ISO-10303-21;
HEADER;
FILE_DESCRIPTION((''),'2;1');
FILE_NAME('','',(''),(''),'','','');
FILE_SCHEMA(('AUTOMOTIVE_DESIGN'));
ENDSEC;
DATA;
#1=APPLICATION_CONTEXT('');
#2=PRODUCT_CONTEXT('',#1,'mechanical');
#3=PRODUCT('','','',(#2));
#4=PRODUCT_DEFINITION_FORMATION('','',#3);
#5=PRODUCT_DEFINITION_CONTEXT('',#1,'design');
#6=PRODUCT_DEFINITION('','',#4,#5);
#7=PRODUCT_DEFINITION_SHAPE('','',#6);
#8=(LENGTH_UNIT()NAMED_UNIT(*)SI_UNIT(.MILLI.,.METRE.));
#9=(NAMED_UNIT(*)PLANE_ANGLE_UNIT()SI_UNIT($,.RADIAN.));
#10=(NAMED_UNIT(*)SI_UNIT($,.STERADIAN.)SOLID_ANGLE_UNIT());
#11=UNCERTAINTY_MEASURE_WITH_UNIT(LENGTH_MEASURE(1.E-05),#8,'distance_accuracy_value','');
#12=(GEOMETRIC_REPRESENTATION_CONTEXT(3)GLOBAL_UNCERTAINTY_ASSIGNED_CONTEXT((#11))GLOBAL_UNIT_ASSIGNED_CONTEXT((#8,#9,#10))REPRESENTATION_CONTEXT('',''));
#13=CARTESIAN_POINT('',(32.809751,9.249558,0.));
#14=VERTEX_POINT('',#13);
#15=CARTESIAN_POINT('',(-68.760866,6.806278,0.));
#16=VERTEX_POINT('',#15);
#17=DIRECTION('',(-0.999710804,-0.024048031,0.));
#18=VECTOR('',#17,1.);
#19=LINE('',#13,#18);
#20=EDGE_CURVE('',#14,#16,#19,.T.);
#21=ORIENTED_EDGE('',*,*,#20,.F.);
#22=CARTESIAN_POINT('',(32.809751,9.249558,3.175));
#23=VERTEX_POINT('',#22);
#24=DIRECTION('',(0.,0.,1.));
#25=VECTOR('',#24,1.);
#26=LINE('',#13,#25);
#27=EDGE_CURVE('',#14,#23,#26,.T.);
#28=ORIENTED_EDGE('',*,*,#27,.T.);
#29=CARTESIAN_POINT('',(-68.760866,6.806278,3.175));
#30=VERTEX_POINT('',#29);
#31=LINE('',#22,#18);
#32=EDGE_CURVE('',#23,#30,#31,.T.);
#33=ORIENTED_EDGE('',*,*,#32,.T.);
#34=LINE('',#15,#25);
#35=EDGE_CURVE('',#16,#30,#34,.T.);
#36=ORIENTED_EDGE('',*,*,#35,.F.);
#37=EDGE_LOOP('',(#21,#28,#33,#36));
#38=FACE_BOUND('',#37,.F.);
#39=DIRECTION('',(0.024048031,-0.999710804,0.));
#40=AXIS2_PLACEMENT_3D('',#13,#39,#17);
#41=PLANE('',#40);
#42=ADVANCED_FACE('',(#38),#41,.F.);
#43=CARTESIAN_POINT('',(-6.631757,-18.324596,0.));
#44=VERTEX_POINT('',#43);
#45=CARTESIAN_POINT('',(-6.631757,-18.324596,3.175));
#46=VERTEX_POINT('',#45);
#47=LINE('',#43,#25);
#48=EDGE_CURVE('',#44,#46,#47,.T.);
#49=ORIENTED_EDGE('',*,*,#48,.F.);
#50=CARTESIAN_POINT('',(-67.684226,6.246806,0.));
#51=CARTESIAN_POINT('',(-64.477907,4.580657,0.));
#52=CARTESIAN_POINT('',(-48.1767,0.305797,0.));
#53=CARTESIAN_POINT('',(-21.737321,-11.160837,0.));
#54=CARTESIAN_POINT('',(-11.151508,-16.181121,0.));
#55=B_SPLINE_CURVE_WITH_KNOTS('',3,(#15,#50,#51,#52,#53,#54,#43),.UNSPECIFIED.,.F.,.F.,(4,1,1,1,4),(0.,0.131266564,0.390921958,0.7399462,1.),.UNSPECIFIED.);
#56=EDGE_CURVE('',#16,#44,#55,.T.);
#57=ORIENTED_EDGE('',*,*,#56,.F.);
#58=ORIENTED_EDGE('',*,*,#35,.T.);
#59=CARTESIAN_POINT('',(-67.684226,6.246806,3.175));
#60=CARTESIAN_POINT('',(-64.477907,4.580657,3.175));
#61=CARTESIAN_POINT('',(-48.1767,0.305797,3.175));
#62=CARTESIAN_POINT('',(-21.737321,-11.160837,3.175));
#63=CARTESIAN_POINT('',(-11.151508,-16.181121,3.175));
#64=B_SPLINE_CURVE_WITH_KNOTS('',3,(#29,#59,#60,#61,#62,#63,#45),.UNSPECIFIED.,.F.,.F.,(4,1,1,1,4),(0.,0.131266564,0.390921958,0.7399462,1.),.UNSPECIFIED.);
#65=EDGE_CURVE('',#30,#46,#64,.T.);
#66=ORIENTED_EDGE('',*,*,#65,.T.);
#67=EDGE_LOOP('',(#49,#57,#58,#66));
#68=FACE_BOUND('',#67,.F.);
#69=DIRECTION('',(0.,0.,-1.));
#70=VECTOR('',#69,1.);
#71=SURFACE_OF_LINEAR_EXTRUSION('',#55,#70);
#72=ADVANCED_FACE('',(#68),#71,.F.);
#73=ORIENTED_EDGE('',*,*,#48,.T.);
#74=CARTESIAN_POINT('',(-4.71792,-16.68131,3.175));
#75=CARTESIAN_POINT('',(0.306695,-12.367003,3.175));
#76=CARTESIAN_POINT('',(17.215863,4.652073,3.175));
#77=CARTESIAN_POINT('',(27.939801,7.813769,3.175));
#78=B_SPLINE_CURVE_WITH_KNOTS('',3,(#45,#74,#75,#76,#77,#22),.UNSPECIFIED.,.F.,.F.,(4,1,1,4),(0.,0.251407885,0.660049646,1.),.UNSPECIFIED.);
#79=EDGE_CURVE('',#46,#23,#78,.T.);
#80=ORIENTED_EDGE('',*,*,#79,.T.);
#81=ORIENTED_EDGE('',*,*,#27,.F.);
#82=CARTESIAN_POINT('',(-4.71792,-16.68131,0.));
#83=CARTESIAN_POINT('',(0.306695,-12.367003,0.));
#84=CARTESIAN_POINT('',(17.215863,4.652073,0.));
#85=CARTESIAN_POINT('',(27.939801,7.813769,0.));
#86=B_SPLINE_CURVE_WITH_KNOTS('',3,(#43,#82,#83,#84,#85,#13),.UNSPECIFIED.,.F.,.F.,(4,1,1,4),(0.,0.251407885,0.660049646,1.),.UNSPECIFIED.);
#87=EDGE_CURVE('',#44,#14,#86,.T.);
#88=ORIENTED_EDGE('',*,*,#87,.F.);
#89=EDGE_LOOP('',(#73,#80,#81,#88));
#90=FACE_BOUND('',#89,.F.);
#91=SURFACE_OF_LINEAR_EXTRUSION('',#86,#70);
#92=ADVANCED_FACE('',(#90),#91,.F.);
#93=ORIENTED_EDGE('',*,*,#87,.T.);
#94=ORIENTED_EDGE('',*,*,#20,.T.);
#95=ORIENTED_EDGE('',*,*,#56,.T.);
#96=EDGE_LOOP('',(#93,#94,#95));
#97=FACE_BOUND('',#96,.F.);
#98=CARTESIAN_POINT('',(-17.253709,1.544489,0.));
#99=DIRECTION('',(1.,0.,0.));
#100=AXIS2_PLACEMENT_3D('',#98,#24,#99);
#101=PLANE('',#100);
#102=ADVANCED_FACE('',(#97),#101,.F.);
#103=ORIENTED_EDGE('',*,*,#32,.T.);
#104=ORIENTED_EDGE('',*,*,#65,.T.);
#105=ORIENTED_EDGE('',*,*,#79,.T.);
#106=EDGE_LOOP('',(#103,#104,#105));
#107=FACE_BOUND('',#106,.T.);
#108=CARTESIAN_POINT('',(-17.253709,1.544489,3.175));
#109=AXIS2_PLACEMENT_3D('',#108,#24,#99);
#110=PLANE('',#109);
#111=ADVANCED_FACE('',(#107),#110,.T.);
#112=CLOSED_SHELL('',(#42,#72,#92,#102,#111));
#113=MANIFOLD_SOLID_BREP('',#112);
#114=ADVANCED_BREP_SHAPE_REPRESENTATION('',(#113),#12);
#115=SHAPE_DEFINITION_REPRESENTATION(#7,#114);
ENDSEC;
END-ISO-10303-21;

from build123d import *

# Parameters (mm, degrees)
F1_DEPTH = 3.175


with BuildPart() as f1:
    # F0 (on Top) → F1 (new body)
    with BuildSketch(Plane.XY):
        with BuildLine():
            Line((32.8097513458, 9.2495579237), (-68.7608663703, 6.8062780048))
            add(Edge.make_bspline(
                [(-68.7608663703, 6.8062780048), (-67.6842256856, 6.2468064304), (-64.4779066416, 4.580656907), (-48.1766996556, 0.3057971498), (-21.737320925, -11.1608374501), (-11.1515076571, -16.1811209824), (-6.6317568513, -18.3245964024)],
                knots=[0, 0, 0, 0, 0.1312665643, 0.3909219585, 0.7399461997, 1, 1, 1, 1], degree=3))
            add(Edge.make_bspline(
                [(-6.6317568513, -18.3245964024), (-4.7179195486, -16.6813098714), (0.306694663, -12.3670032969), (17.2158634114, 4.6520728347), (27.9398010415, 7.8137694916), (32.8097513458, 9.2495579237)],
                knots=[0, 0, 0, 0, 0.2514078853, 0.6600496457, 1, 1, 1, 1], degree=3))
        make_face()
    extrude(amount=F1_DEPTH)


solid = f1.part
